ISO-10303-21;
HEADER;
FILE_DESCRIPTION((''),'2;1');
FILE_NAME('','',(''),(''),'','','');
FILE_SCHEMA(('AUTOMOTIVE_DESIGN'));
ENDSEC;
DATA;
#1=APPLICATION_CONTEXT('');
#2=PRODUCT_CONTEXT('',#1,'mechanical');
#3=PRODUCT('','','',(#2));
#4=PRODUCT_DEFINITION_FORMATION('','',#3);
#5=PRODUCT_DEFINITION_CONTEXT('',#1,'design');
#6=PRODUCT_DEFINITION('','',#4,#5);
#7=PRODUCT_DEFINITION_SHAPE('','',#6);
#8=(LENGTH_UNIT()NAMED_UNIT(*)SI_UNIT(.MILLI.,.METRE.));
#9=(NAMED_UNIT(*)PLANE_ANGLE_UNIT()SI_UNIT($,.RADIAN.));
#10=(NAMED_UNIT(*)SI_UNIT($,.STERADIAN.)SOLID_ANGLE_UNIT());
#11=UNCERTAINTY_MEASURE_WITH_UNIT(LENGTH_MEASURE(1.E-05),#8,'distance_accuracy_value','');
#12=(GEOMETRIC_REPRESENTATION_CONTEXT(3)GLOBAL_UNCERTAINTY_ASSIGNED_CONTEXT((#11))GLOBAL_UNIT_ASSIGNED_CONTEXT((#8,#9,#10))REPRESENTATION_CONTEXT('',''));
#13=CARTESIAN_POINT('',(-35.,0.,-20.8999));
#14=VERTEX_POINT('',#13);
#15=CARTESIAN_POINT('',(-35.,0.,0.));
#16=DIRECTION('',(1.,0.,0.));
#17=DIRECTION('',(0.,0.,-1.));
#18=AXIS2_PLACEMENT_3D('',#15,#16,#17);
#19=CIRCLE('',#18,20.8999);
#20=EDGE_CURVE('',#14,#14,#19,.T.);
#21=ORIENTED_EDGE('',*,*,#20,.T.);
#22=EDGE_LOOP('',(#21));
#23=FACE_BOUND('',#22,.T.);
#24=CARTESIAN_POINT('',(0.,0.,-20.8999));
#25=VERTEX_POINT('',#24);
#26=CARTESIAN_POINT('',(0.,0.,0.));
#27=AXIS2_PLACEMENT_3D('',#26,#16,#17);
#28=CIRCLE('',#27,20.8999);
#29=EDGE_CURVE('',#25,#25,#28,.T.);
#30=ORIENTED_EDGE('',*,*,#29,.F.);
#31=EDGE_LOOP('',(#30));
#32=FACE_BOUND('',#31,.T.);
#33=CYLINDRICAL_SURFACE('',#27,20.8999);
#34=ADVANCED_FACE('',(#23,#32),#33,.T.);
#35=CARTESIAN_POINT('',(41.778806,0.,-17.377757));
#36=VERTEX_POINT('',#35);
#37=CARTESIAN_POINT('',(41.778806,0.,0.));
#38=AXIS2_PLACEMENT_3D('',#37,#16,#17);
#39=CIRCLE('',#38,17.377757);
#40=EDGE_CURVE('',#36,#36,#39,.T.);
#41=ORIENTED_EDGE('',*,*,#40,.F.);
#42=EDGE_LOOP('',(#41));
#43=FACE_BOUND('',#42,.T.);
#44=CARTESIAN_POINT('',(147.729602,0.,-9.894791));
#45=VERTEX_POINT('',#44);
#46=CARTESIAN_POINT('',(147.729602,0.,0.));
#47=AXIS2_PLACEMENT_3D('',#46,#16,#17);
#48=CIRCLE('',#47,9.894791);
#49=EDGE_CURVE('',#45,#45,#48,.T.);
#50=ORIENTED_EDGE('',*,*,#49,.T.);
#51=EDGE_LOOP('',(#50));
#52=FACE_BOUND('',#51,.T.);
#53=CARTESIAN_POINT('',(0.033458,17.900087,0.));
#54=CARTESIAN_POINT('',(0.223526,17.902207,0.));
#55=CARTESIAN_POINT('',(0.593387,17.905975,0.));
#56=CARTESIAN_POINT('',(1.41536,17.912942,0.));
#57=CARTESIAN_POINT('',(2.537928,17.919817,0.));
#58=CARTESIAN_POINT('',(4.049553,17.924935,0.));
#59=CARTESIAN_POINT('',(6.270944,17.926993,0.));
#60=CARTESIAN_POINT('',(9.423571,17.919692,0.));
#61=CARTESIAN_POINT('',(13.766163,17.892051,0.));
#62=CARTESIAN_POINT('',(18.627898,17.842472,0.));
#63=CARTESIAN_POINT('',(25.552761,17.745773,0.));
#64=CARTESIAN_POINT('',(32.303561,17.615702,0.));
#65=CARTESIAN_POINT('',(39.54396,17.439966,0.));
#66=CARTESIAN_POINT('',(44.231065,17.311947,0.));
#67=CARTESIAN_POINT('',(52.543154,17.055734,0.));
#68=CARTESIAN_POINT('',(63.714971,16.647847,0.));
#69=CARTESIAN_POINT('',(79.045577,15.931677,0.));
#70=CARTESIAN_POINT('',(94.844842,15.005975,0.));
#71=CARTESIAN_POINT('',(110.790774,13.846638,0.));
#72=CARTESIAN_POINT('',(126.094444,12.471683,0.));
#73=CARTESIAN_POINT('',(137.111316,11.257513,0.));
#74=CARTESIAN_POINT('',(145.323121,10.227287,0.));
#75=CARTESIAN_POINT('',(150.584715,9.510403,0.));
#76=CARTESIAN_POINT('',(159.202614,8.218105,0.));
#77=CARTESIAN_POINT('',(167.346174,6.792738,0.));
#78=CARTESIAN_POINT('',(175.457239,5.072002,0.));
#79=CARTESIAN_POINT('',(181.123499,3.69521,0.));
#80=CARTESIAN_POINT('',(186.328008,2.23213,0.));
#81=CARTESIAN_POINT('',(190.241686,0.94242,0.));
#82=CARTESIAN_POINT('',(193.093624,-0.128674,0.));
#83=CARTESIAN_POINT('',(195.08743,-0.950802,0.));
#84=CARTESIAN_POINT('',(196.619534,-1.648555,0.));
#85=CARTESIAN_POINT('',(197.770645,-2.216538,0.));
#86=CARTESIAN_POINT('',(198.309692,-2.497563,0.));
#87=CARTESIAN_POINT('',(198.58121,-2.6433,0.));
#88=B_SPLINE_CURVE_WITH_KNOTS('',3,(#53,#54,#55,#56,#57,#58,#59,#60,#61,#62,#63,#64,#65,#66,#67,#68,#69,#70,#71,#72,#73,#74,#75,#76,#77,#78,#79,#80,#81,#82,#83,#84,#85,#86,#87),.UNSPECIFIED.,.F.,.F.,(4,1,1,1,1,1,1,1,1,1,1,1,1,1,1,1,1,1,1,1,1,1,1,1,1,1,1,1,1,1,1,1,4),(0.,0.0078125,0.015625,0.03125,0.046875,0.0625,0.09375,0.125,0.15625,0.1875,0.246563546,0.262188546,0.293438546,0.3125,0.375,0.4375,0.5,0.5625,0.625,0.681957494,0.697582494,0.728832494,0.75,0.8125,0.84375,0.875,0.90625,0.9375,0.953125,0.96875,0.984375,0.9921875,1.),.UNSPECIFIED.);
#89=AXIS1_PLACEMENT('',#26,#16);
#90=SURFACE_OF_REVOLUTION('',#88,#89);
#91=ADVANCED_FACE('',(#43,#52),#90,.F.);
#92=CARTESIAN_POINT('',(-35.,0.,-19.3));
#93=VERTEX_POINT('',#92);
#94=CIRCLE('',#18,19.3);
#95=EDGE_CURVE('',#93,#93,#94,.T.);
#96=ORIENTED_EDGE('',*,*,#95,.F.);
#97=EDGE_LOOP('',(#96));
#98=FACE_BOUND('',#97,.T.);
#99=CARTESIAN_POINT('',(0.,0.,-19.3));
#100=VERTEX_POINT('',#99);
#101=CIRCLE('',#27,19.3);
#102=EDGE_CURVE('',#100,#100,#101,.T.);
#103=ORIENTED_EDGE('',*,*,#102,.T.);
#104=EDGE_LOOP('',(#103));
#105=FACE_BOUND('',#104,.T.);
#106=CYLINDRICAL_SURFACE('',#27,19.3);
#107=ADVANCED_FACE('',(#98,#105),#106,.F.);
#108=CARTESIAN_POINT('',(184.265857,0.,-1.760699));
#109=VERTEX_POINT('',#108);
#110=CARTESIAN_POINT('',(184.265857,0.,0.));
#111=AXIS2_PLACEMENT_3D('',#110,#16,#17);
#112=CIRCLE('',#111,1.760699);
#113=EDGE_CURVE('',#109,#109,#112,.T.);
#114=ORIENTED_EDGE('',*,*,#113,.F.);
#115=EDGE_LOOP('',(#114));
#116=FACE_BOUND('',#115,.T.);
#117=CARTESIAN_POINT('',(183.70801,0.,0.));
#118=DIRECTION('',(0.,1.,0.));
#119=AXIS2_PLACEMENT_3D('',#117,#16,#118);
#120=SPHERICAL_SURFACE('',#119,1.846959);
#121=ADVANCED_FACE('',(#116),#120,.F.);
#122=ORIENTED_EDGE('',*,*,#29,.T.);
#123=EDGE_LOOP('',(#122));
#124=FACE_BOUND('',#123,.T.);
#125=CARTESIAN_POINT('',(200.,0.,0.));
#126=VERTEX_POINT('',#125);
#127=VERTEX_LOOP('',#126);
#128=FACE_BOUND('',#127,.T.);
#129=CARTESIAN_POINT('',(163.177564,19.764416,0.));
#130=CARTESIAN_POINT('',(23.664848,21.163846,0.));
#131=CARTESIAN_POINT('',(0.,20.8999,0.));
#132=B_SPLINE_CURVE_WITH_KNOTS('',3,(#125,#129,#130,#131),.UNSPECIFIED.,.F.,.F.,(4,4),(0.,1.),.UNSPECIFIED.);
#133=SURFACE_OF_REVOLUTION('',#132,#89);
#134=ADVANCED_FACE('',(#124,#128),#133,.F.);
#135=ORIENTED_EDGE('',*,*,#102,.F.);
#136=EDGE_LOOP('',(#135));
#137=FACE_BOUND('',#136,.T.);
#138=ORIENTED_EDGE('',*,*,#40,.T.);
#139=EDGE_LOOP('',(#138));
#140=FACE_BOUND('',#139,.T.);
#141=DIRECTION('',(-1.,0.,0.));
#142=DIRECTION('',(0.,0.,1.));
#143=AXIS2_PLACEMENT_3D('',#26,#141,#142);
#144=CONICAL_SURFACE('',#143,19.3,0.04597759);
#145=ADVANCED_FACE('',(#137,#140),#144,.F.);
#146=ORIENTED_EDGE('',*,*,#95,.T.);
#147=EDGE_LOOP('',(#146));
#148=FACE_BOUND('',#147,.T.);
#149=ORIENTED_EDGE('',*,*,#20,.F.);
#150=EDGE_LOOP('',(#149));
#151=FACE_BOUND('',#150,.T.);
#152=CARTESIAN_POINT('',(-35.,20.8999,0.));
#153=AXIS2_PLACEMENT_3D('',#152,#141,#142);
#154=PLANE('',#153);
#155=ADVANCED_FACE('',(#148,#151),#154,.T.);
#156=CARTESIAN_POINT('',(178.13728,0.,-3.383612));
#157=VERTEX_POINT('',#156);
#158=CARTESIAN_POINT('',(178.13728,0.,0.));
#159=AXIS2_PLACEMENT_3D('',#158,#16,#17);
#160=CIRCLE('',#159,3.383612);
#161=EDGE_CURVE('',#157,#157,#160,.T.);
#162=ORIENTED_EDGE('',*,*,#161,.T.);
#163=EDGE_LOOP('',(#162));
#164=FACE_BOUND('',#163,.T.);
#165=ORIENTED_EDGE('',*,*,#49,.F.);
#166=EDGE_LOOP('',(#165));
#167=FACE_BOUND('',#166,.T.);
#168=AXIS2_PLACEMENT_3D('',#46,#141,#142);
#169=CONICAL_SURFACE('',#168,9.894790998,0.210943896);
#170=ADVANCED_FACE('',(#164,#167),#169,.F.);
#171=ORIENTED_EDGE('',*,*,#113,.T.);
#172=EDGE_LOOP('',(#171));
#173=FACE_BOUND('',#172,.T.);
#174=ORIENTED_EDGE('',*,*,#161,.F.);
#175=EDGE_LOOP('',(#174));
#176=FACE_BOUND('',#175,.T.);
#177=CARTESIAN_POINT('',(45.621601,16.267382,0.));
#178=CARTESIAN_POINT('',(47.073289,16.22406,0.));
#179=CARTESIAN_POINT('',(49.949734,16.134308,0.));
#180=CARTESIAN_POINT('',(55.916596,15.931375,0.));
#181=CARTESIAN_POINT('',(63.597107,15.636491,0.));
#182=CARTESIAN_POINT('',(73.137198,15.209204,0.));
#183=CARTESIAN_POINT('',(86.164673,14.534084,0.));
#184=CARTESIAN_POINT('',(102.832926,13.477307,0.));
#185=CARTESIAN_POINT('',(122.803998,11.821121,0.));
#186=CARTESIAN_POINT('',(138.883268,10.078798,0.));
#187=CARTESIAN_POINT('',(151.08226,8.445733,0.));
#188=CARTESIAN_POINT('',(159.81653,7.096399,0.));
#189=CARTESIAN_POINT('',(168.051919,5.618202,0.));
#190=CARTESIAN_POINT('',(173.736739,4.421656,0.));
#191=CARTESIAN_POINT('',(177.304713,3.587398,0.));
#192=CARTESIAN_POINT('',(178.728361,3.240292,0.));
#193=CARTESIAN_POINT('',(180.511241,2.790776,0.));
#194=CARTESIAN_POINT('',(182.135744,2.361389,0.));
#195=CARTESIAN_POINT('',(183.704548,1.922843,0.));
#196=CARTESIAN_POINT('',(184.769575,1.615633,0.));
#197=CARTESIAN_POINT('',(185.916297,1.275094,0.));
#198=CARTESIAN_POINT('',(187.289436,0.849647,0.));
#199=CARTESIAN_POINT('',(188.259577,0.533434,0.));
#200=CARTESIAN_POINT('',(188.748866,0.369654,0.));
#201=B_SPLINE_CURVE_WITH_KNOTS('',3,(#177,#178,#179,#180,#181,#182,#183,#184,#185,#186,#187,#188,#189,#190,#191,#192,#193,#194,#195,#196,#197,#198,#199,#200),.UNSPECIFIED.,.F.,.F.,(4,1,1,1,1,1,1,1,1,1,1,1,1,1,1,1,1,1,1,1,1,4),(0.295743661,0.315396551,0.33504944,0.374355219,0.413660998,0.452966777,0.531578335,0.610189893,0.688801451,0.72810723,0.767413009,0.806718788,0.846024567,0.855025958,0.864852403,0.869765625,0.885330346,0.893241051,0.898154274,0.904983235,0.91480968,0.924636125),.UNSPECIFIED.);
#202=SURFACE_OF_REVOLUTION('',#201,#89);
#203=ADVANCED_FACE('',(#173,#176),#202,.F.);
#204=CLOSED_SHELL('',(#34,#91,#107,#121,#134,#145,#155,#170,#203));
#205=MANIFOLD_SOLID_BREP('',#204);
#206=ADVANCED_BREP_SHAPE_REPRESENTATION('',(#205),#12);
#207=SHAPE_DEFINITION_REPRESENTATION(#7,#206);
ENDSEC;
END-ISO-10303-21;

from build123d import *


with BuildPart() as part:
    # Sketch3 → Revolve2 (revolve)
    with BuildSketch(Plane.XY, mode=Mode.PRIVATE) as revolve2_sk:
        with BuildLine():
            Line((200, 0), (192.731748763, 0))
            Line((192.731748763, 0), (188.748865911, 0))
            Line((188.748865911, 0), (185.554968391, 0))
            ThreePointArc((185.554968391, 0), (185.198240806, 1.091085504), (184.265857104, 1.760699406))
            add(Edge.make_bspline(
                [(178.137279994, 3.383612476), (178.431880321, 3.311777357), (179.017417539, 3.167412546), (180.511240953, 2.790775813), (182.135744265, 2.361389471), (183.568791854, 1.960792453), (184.132740627, 1.79909771), (184.265857104, 1.760699406)],
                knots=[0.85993918, 0.85993918, 0.85993918, 0.85993918, 0.864852403, 0.869765625, 0.885330346, 0.893241051, 0.895697662, 0.895697662, 0.895697662, 0.895697662], degree=3))
            Line((178.137279994, 3.383612476), (147.7296017, 9.894790998))
            add(Edge.make_bspline(
                [(41.778806091, 17.377756502), (42.888675735, 17.34735616), (45.382334629, 17.276459751), (52.543154013, 17.055733908), (63.714970652, 16.647846743), (79.045577049, 15.93167668), (94.844842448, 15.005975037), (110.790774364, 13.846638116), (126.094444394, 12.471683292), (137.111316028, 11.257513206), (144.087385917, 10.382317987), (146.522210313, 10.059467354), (147.7296017, 9.894790998)],
                knots=[0.277813546, 0.277813546, 0.277813546, 0.277813546, 0.293438546, 0.3125, 0.375, 0.4375, 0.5, 0.5625, 0.625, 0.681957494, 0.697582494, 0.713207494, 0.713207494, 0.713207494, 0.713207494], degree=3))
            Line((41.778806091, 17.377756502), (0, 19.3))
            Line((0, 19.3), (-35, 19.3))
            Line((-35, 19.3), (-35, 20.899900489))
            Line((-35, 20.899900489), (0, 20.899900489))
            add(Edge.make_bspline(
                [(0, 20.899900489), (23.664847852, 21.163845658), (163.177563929, 19.764416347), (200, 0)],
                knots=[0, 0, 0, 0, 1, 1, 1, 1], degree=3))
        make_face()
    revolve(revolve2_sk.sketch.rotate(Axis((0, 0, 0), (-1, 0, 0)), 90), axis=Axis((0, 0, 0), (-1, 0, 0)))


solid = part.part
